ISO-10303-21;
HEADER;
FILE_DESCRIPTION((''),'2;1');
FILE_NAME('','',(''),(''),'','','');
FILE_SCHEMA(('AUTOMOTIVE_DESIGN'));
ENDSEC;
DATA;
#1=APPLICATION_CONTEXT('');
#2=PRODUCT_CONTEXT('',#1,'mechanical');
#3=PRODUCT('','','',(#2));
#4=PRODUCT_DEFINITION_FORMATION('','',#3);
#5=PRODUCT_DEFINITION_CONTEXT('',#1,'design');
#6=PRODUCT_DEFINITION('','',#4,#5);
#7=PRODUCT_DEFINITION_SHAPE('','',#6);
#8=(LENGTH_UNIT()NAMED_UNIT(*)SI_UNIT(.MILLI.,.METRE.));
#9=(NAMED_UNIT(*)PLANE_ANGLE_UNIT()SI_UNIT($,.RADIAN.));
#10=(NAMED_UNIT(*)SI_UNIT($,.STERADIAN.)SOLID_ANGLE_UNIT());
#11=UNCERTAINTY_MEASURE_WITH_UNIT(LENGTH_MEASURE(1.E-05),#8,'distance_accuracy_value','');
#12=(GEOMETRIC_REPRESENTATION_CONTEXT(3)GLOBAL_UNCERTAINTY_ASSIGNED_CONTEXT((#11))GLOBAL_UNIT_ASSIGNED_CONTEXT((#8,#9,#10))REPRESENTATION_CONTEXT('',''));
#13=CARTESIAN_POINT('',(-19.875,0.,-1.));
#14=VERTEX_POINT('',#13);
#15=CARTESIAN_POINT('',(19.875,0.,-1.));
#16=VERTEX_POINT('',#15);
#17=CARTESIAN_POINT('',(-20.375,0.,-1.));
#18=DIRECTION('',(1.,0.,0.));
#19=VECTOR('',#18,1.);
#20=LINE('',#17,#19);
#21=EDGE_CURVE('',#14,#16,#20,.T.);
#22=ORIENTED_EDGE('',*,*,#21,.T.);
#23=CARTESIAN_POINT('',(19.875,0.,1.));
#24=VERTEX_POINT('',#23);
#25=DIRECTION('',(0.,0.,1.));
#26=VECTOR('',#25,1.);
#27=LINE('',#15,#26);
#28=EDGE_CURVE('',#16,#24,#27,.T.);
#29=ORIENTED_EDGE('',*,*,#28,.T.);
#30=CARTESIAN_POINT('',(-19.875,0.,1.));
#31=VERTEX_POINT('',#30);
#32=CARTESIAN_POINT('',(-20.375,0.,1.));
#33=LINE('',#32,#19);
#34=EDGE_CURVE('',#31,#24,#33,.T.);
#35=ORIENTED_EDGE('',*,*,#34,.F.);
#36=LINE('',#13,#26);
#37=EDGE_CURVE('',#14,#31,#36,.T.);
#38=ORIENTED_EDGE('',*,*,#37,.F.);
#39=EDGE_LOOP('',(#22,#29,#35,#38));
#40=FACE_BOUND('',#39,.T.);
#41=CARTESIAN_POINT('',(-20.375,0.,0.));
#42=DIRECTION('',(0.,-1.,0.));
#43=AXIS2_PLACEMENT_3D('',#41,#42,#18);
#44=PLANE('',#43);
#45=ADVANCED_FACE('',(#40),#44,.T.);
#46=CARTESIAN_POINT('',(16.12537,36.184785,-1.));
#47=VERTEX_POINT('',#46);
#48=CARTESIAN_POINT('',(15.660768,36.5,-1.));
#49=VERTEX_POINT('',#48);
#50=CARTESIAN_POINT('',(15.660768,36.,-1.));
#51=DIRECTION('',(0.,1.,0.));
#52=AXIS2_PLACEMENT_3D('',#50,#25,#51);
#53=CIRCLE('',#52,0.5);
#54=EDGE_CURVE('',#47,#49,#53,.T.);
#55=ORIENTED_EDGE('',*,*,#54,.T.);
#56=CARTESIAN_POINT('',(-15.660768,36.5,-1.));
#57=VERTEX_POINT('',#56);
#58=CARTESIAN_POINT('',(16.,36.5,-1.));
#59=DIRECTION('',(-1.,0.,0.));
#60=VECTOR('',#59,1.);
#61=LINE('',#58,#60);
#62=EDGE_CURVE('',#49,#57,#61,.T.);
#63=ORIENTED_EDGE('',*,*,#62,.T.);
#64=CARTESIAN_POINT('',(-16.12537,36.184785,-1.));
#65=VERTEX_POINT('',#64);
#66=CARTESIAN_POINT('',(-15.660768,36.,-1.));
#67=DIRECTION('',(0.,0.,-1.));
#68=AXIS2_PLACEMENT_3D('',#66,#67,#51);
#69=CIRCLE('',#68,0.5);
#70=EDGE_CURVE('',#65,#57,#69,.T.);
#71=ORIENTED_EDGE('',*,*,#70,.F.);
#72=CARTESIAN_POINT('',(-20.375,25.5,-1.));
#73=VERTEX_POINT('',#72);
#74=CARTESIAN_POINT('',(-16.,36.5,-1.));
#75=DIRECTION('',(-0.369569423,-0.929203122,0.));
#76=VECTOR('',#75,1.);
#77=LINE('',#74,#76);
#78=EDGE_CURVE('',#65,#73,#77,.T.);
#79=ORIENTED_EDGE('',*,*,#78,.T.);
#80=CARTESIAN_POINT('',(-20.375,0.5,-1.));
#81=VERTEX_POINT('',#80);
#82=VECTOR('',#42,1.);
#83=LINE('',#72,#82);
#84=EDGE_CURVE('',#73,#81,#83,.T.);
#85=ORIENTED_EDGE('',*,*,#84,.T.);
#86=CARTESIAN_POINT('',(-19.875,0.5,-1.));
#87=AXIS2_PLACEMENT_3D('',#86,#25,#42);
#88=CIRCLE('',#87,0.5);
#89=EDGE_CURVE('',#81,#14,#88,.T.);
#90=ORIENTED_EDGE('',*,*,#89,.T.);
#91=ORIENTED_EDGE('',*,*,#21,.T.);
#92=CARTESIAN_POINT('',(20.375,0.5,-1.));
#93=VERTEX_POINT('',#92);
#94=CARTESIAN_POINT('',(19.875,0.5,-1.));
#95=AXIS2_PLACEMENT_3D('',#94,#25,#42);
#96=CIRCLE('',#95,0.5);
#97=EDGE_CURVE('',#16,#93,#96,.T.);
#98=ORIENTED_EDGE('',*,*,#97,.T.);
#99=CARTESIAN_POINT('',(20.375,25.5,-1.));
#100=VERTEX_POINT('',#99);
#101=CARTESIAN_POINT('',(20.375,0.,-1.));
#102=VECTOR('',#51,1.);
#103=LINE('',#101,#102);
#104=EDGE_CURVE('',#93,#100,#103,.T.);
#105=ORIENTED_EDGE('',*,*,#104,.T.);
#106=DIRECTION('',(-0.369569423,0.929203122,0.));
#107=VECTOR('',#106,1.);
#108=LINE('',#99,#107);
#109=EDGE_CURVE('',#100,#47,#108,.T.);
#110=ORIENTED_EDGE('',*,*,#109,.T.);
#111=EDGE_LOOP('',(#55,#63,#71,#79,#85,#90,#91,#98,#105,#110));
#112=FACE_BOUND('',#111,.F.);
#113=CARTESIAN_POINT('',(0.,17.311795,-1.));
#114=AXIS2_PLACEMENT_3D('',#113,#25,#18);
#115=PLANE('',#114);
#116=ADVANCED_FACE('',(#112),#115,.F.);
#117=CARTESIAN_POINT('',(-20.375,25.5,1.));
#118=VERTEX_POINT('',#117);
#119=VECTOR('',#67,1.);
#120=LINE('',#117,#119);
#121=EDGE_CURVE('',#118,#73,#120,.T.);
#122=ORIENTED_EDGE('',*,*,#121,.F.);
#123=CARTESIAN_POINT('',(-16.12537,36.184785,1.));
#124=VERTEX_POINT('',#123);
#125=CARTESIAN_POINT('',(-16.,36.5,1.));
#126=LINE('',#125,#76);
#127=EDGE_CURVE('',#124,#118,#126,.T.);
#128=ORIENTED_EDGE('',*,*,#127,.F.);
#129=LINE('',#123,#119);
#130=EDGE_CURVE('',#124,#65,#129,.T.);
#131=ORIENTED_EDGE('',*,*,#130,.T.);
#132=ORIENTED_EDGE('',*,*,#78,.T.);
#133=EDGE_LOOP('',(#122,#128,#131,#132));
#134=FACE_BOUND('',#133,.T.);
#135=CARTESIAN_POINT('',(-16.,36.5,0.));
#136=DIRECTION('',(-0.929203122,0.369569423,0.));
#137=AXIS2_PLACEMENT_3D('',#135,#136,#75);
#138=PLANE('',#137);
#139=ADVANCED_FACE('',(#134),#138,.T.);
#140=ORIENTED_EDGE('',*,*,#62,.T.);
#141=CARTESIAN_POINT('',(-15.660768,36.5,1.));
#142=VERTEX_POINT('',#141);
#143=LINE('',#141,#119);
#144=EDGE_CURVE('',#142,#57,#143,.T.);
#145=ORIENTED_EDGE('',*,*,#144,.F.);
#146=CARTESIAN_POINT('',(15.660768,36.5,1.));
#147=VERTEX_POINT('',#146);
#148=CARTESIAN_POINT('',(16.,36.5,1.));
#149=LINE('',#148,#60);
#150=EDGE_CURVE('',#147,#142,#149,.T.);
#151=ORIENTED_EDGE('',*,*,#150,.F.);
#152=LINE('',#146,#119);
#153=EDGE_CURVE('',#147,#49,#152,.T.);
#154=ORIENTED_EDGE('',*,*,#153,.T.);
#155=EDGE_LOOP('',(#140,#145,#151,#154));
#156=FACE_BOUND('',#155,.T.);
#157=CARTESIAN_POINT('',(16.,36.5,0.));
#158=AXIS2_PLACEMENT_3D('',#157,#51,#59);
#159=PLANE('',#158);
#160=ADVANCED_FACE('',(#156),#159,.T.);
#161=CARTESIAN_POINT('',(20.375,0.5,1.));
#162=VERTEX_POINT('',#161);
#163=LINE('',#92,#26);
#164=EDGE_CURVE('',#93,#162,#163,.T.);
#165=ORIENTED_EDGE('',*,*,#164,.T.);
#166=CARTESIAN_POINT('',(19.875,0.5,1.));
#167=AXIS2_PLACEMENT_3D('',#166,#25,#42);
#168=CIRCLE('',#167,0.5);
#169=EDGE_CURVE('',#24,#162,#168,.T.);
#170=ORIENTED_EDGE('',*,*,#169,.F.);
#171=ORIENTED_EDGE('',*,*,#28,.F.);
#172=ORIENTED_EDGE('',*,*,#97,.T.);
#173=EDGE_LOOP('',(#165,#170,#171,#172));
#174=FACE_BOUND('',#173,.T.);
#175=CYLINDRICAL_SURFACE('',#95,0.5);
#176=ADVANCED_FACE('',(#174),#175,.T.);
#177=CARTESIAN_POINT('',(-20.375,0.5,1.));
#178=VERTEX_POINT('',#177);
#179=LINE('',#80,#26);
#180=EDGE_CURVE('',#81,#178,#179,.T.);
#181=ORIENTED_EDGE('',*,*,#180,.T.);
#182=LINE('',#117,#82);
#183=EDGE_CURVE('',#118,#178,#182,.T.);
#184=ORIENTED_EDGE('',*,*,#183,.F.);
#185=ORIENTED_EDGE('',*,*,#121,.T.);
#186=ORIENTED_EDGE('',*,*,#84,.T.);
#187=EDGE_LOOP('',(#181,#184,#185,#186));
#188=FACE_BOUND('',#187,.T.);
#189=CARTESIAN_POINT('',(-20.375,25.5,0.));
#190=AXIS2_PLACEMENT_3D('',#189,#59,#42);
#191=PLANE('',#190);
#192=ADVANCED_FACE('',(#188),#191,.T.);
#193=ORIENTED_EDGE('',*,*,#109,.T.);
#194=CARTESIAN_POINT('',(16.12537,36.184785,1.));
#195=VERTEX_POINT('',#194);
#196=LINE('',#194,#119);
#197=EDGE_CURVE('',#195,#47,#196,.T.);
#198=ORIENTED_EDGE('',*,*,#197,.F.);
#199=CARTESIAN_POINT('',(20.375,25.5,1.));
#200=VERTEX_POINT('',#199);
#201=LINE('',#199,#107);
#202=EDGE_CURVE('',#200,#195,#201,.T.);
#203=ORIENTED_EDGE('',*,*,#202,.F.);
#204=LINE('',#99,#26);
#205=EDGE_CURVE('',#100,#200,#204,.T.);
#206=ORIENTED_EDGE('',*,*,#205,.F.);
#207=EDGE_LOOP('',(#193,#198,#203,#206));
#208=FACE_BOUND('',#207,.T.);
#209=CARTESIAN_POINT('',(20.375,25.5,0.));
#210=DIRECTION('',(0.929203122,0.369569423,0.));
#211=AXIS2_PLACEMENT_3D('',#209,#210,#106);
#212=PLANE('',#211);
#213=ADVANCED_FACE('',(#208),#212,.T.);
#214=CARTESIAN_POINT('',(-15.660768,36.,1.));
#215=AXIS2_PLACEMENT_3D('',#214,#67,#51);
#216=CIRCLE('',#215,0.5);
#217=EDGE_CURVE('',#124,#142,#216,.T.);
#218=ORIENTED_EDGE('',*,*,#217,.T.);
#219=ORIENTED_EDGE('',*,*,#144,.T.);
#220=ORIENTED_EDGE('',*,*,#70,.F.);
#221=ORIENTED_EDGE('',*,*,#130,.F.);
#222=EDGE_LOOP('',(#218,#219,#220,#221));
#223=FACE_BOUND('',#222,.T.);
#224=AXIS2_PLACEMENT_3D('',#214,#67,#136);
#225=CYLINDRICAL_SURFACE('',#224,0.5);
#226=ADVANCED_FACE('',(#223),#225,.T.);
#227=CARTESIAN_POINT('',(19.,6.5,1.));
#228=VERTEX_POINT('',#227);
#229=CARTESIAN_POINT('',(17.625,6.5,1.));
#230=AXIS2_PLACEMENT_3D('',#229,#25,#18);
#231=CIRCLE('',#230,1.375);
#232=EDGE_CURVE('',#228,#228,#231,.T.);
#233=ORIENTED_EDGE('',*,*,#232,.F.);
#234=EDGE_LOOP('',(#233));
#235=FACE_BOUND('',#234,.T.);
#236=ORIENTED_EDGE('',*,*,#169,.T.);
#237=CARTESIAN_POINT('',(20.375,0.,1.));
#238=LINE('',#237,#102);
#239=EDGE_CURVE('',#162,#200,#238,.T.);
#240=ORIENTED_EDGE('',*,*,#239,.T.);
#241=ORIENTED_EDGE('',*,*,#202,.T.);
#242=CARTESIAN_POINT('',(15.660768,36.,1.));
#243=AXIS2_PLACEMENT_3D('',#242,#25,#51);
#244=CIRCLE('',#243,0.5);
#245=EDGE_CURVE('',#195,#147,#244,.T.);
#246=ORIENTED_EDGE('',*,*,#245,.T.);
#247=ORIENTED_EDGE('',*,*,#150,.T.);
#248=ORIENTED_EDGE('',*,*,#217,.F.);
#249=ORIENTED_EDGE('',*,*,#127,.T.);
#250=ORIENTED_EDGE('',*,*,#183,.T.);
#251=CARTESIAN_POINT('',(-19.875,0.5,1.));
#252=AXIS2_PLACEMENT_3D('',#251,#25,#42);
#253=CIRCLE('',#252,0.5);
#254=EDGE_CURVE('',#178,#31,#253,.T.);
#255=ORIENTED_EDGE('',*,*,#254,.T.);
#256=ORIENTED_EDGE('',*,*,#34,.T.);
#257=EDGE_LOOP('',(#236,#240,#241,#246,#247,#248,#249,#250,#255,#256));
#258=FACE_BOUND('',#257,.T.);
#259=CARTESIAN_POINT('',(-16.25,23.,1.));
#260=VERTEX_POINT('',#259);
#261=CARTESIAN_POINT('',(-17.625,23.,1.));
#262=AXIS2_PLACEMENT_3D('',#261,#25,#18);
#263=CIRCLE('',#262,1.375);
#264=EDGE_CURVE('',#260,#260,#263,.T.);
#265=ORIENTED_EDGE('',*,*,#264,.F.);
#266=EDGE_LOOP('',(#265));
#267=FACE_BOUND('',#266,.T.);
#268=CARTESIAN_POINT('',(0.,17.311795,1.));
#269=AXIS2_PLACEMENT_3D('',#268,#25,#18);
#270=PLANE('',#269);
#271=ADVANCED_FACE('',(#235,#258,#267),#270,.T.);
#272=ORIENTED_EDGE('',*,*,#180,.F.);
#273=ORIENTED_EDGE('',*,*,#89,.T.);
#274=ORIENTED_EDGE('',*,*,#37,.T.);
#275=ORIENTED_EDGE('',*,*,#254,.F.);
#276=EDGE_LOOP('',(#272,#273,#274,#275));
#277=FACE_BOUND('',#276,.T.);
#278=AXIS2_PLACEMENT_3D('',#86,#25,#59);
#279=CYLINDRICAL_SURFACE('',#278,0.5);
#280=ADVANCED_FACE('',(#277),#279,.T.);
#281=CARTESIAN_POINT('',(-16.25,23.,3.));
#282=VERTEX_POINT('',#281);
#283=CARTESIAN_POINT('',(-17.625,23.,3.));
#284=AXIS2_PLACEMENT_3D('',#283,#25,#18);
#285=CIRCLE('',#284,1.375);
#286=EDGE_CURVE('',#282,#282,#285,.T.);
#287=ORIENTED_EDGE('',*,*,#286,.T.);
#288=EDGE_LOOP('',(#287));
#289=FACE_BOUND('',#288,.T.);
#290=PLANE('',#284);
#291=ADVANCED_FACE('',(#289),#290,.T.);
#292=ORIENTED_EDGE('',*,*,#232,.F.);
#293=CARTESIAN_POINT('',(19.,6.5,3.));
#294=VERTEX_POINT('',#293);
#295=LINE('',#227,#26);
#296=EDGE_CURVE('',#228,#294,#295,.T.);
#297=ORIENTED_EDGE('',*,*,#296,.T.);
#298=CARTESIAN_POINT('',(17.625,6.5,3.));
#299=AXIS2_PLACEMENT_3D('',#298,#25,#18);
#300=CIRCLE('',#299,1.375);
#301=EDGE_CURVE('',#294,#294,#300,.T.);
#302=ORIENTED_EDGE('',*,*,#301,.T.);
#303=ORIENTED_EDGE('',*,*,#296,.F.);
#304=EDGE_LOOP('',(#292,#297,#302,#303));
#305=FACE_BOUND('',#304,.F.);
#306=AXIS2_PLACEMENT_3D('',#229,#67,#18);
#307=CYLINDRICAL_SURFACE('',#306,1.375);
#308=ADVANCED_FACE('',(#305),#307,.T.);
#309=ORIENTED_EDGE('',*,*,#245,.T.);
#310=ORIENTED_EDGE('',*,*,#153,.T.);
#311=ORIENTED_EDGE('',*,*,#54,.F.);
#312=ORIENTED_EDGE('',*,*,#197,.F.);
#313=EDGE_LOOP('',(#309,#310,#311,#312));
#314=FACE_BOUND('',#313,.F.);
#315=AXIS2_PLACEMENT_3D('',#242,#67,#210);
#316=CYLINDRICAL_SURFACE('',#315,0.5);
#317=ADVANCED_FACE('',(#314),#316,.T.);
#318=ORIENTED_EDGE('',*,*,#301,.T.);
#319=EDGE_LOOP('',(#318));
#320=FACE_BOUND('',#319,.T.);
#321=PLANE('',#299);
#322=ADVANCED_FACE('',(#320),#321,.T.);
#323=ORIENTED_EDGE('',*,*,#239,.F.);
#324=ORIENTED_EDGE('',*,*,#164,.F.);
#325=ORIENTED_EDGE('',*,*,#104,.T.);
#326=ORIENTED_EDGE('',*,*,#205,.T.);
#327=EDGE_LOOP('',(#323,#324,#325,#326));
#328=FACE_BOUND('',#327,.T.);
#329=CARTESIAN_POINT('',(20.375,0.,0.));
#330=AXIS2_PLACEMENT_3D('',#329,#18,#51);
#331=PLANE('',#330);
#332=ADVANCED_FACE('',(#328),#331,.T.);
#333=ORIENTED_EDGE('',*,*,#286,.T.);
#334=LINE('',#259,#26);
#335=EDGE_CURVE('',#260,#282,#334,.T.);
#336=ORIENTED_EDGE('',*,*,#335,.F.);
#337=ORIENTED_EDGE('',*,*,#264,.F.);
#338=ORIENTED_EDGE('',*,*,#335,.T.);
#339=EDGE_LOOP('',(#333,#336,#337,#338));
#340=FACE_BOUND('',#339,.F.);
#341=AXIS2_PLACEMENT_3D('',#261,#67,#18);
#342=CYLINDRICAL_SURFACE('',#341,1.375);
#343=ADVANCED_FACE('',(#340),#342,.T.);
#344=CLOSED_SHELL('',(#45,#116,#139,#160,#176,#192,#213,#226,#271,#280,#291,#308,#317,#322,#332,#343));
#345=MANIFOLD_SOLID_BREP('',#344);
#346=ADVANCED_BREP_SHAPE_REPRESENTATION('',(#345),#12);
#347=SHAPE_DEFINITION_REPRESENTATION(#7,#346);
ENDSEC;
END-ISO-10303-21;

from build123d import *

# Parameters (mm, degrees)
F1_DEPTH = 1
F2_R     = 1.375
F3_DEPTH = 2
F4_R     = 0.5


with BuildPart() as f1:
    # F0 (on Top) → F1 (new body, symmetric)
    with BuildSketch(Plane.XY):
        Polygon((-20.375, 25.5), (-20.375, 0), (20.375, 0), (20.375, 25.5), (16, 36.5), (-16, 36.5), align=None)
    extrude(amount=F1_DEPTH, both=True)

    # F2 (on face) → F3 (join)
    with BuildSketch(Plane.XY.offset(1)):
        with Locations((17.625, 6.5)):
            Circle(F2_R)
        with Locations((-17.625, 23)):
            Circle(F2_R)
    extrude(amount=F3_DEPTH)

    # F4
    f4_edges = [f1.edges().sort_by_distance(p)[0] for p in [
        (20.375, 0, 0),
        (-20.375, 0, 0),
        (-16, 36.5, 0),
        (16, 36.5, 0),
    ]]
    fillet(f4_edges, radius=F4_R)


solid = f1.part
